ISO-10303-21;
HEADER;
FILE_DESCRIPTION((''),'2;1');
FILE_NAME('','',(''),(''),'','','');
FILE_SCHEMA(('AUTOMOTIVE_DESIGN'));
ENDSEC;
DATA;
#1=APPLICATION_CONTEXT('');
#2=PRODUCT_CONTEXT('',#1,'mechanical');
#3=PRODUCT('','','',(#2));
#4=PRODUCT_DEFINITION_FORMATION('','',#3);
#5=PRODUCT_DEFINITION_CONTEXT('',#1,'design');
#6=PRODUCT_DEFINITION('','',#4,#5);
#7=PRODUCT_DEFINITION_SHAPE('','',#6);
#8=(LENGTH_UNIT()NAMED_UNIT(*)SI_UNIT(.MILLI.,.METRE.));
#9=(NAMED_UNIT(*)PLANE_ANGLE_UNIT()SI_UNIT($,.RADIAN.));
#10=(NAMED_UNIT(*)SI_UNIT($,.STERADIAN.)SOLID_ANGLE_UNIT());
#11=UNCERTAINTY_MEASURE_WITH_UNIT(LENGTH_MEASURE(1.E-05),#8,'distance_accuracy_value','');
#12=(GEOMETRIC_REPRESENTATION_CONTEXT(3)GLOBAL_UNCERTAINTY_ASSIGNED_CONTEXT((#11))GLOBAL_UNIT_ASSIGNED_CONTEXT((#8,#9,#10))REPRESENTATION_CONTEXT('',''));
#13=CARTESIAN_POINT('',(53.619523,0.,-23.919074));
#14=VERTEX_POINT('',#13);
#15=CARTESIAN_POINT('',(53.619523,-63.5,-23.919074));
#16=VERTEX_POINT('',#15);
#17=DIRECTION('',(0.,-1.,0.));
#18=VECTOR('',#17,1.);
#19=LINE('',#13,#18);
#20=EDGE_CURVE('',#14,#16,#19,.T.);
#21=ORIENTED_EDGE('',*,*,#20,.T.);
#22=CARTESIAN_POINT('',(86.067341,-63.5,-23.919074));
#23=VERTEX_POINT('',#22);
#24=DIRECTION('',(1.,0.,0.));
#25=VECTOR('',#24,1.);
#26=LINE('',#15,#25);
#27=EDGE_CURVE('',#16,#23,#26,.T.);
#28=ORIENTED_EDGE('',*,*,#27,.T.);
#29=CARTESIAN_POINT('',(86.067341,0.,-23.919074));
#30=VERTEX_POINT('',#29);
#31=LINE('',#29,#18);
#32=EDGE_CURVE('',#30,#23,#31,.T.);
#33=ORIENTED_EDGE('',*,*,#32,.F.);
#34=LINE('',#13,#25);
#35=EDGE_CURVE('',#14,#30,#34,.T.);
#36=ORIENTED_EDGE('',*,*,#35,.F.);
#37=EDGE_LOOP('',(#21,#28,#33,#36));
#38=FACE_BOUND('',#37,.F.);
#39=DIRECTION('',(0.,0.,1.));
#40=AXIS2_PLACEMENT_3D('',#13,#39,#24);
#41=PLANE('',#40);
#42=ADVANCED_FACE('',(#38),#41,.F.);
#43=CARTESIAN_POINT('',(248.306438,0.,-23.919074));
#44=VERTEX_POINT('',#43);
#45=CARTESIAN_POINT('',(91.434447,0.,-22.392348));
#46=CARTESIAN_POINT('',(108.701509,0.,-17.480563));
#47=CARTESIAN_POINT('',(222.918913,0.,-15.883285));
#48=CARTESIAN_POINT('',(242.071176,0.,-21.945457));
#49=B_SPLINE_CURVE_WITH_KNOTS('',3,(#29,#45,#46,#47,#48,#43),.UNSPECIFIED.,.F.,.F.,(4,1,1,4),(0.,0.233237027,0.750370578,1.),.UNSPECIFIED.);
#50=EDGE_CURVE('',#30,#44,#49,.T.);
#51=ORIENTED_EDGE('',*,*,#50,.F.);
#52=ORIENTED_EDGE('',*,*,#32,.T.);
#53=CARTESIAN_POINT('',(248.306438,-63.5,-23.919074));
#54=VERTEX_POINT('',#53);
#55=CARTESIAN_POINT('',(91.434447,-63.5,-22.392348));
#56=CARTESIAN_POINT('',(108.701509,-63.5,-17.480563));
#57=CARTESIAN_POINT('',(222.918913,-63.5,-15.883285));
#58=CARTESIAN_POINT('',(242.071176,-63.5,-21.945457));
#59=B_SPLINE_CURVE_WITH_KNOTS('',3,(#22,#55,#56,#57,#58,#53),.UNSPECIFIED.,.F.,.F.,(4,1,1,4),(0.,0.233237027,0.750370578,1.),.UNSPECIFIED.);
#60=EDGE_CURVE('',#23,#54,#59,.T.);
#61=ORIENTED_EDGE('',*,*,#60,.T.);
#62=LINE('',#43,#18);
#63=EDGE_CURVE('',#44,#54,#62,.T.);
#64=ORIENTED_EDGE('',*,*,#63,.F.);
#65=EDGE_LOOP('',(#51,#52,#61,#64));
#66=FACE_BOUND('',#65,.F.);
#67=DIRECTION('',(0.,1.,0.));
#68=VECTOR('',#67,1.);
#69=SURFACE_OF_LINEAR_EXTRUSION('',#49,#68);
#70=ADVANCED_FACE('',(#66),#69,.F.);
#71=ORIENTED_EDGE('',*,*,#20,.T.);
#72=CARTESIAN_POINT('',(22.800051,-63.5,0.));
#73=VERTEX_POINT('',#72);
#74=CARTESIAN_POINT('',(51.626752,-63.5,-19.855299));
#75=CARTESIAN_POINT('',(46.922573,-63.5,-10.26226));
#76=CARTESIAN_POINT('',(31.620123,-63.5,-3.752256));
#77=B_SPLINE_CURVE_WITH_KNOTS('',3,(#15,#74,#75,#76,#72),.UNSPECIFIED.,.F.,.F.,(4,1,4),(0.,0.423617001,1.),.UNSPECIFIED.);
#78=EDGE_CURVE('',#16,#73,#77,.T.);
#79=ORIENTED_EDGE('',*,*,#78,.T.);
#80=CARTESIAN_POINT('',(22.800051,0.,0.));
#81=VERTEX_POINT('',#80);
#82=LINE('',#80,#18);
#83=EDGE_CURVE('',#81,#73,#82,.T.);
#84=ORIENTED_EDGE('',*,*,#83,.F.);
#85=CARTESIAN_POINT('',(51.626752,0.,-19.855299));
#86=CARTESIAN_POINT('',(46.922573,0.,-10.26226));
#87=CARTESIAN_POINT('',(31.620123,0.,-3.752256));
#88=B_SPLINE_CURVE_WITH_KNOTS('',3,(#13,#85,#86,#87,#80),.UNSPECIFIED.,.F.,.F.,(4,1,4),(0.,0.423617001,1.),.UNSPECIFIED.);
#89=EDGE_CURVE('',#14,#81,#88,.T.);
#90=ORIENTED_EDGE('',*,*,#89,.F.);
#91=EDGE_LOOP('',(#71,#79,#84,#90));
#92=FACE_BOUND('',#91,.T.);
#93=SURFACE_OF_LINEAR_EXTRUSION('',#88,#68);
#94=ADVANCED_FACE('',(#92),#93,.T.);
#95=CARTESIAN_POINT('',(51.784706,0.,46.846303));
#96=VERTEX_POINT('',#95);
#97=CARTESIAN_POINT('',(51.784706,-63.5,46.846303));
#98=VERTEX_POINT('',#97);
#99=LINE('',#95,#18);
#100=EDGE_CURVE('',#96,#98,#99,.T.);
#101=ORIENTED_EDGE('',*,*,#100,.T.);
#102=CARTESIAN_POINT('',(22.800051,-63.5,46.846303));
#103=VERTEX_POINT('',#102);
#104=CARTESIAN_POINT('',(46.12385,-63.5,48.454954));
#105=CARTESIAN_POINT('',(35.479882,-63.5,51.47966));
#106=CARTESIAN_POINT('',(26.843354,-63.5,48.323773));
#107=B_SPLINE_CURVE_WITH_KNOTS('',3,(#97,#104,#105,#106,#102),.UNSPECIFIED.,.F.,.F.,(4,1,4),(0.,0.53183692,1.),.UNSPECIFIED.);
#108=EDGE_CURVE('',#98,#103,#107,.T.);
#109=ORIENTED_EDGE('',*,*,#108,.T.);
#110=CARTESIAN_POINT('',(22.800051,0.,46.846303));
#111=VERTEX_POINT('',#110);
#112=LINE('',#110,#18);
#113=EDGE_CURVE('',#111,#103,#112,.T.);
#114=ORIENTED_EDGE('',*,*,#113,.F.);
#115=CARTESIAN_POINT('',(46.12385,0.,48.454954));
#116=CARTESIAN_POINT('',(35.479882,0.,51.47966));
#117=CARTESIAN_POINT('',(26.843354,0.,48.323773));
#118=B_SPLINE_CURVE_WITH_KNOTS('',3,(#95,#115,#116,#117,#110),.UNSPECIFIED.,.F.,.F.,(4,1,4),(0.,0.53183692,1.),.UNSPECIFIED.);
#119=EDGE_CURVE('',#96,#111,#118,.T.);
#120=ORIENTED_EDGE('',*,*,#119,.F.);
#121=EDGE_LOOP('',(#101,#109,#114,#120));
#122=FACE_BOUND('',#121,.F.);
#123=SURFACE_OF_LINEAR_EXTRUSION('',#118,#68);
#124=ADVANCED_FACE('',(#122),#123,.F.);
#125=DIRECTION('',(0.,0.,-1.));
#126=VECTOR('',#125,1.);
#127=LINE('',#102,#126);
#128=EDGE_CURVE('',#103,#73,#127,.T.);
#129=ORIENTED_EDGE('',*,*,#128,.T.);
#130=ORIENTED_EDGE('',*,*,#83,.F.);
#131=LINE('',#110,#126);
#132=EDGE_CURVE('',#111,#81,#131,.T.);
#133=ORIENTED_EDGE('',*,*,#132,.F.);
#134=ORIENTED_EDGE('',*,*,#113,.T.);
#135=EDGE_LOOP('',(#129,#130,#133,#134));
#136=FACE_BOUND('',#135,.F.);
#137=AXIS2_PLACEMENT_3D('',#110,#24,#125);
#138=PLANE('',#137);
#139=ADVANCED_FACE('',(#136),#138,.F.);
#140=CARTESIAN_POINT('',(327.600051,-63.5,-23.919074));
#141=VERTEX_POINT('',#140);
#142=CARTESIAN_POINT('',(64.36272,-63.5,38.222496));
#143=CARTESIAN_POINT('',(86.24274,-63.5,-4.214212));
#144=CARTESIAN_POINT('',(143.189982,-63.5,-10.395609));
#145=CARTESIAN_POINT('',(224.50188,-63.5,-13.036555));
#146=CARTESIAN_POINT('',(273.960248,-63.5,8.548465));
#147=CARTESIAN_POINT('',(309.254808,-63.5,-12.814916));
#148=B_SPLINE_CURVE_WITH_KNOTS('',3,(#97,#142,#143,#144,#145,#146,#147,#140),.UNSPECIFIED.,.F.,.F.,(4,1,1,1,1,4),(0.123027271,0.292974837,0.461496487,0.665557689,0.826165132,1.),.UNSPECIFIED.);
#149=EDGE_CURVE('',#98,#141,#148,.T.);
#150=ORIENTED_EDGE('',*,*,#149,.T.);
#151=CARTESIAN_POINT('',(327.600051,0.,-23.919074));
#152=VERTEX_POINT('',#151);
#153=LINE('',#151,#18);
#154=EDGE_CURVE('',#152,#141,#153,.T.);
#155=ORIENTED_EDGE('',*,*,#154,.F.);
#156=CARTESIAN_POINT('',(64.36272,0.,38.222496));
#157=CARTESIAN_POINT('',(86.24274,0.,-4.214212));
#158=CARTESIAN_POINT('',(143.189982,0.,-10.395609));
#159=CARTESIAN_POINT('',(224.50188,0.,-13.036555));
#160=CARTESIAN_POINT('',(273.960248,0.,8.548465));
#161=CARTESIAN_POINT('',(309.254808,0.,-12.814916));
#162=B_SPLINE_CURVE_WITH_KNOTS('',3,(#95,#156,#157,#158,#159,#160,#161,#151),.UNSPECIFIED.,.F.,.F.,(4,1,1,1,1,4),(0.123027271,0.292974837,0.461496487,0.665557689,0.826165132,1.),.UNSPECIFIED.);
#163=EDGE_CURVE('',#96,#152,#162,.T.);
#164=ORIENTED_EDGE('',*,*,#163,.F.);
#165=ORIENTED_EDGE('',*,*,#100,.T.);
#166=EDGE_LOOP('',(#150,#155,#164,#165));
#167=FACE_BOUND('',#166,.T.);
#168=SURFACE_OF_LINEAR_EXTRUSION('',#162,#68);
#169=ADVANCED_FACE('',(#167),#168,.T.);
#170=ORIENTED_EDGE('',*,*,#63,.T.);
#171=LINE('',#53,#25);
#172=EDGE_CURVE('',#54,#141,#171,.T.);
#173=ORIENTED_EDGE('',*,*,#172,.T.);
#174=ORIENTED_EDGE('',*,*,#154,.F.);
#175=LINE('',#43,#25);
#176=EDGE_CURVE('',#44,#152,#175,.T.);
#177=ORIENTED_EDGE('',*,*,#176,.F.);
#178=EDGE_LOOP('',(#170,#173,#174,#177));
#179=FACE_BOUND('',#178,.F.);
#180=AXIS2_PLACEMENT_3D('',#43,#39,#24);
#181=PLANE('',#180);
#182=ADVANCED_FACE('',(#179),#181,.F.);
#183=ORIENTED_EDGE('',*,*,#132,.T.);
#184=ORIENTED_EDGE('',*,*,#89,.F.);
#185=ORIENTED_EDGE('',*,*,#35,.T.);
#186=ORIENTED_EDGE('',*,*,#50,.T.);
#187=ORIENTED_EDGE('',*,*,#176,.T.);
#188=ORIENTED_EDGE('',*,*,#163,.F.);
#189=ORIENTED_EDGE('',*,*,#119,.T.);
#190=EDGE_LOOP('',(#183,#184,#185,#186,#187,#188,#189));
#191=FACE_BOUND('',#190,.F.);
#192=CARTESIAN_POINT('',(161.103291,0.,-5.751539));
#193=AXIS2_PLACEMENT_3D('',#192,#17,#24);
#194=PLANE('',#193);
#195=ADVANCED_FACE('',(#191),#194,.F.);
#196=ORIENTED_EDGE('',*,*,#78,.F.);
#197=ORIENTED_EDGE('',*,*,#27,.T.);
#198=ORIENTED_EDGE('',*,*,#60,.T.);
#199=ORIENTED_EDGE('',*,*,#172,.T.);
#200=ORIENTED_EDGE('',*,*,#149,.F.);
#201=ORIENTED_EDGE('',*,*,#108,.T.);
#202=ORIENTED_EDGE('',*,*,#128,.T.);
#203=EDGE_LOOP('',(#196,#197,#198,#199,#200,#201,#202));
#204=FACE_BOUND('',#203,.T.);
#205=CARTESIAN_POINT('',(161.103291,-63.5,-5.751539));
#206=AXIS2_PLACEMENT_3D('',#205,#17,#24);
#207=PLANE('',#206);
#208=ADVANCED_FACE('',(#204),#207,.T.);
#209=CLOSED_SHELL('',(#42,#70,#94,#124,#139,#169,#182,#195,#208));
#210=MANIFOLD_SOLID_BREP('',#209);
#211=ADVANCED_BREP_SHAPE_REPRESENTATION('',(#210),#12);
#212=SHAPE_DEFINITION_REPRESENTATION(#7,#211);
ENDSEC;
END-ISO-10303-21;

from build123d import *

# Parameters (mm, degrees)
F1_DEPTH = 63.5


with BuildPart() as f1:
    # F0 (on Front) → F1 (new body)
    with BuildSketch(Plane.XZ):
        with BuildLine():
            Line((248.3064383268, -23.9190738648), (327.6000506759, -23.9190738648))
            add(Edge.make_bspline(
                [(51.784705917, 46.8463032775), (64.3627199206, 38.2224960157), (86.242739761, -4.2142122955), (143.1899818673, -10.3956088976), (224.5018800017, -13.0365552228), (273.9602481654, 8.5484646767), (309.2548083769, -12.8149155063), (327.6000506759, -23.9190738648)],
                knots=[0.1230272713, 0.1230272713, 0.1230272713, 0.1230272713, 0.2929748368, 0.4614964871, 0.6655576891, 0.8261651316, 1, 1, 1, 1], degree=3))
            add(Edge.make_bspline(
                [(51.784705917, 46.8463032775), (46.1238504985, 48.4549538308), (35.4798819977, 51.4796602669), (26.8433541555, 48.323773124), (22.8000506759, 46.8463032775)],
                knots=[0, 0, 0, 0, 0.5318369195, 1, 1, 1, 1], degree=3))
            Line((22.8000506759, 46.8463032775), (22.8000506759, 0))
            add(Edge.make_bspline(
                [(53.6195226014, -23.9190738648), (51.6267524286, -19.8552994072), (46.9225734911, -10.2622602941), (31.6201229906, -3.752255873), (22.8000506759, 0)],
                knots=[0, 0, 0, 0, 0.4236170008, 1, 1, 1, 1], degree=3))
            Line((53.6195226014, -23.9190738648), (86.0673412681, -23.9190738648))
            add(Edge.make_bspline(
                [(86.0673412681, -23.9190738648), (91.4344469398, -22.3923479457), (108.7015088288, -17.4805626102), (222.9189133429, -15.8832854518), (242.0711760107, -21.9454569524), (248.3064383268, -23.9190738648)],
                knots=[0, 0, 0, 0, 0.2332370271, 0.7503705775, 1, 1, 1, 1], degree=3))
        make_face()
    extrude(amount=F1_DEPTH)


solid = f1.part
